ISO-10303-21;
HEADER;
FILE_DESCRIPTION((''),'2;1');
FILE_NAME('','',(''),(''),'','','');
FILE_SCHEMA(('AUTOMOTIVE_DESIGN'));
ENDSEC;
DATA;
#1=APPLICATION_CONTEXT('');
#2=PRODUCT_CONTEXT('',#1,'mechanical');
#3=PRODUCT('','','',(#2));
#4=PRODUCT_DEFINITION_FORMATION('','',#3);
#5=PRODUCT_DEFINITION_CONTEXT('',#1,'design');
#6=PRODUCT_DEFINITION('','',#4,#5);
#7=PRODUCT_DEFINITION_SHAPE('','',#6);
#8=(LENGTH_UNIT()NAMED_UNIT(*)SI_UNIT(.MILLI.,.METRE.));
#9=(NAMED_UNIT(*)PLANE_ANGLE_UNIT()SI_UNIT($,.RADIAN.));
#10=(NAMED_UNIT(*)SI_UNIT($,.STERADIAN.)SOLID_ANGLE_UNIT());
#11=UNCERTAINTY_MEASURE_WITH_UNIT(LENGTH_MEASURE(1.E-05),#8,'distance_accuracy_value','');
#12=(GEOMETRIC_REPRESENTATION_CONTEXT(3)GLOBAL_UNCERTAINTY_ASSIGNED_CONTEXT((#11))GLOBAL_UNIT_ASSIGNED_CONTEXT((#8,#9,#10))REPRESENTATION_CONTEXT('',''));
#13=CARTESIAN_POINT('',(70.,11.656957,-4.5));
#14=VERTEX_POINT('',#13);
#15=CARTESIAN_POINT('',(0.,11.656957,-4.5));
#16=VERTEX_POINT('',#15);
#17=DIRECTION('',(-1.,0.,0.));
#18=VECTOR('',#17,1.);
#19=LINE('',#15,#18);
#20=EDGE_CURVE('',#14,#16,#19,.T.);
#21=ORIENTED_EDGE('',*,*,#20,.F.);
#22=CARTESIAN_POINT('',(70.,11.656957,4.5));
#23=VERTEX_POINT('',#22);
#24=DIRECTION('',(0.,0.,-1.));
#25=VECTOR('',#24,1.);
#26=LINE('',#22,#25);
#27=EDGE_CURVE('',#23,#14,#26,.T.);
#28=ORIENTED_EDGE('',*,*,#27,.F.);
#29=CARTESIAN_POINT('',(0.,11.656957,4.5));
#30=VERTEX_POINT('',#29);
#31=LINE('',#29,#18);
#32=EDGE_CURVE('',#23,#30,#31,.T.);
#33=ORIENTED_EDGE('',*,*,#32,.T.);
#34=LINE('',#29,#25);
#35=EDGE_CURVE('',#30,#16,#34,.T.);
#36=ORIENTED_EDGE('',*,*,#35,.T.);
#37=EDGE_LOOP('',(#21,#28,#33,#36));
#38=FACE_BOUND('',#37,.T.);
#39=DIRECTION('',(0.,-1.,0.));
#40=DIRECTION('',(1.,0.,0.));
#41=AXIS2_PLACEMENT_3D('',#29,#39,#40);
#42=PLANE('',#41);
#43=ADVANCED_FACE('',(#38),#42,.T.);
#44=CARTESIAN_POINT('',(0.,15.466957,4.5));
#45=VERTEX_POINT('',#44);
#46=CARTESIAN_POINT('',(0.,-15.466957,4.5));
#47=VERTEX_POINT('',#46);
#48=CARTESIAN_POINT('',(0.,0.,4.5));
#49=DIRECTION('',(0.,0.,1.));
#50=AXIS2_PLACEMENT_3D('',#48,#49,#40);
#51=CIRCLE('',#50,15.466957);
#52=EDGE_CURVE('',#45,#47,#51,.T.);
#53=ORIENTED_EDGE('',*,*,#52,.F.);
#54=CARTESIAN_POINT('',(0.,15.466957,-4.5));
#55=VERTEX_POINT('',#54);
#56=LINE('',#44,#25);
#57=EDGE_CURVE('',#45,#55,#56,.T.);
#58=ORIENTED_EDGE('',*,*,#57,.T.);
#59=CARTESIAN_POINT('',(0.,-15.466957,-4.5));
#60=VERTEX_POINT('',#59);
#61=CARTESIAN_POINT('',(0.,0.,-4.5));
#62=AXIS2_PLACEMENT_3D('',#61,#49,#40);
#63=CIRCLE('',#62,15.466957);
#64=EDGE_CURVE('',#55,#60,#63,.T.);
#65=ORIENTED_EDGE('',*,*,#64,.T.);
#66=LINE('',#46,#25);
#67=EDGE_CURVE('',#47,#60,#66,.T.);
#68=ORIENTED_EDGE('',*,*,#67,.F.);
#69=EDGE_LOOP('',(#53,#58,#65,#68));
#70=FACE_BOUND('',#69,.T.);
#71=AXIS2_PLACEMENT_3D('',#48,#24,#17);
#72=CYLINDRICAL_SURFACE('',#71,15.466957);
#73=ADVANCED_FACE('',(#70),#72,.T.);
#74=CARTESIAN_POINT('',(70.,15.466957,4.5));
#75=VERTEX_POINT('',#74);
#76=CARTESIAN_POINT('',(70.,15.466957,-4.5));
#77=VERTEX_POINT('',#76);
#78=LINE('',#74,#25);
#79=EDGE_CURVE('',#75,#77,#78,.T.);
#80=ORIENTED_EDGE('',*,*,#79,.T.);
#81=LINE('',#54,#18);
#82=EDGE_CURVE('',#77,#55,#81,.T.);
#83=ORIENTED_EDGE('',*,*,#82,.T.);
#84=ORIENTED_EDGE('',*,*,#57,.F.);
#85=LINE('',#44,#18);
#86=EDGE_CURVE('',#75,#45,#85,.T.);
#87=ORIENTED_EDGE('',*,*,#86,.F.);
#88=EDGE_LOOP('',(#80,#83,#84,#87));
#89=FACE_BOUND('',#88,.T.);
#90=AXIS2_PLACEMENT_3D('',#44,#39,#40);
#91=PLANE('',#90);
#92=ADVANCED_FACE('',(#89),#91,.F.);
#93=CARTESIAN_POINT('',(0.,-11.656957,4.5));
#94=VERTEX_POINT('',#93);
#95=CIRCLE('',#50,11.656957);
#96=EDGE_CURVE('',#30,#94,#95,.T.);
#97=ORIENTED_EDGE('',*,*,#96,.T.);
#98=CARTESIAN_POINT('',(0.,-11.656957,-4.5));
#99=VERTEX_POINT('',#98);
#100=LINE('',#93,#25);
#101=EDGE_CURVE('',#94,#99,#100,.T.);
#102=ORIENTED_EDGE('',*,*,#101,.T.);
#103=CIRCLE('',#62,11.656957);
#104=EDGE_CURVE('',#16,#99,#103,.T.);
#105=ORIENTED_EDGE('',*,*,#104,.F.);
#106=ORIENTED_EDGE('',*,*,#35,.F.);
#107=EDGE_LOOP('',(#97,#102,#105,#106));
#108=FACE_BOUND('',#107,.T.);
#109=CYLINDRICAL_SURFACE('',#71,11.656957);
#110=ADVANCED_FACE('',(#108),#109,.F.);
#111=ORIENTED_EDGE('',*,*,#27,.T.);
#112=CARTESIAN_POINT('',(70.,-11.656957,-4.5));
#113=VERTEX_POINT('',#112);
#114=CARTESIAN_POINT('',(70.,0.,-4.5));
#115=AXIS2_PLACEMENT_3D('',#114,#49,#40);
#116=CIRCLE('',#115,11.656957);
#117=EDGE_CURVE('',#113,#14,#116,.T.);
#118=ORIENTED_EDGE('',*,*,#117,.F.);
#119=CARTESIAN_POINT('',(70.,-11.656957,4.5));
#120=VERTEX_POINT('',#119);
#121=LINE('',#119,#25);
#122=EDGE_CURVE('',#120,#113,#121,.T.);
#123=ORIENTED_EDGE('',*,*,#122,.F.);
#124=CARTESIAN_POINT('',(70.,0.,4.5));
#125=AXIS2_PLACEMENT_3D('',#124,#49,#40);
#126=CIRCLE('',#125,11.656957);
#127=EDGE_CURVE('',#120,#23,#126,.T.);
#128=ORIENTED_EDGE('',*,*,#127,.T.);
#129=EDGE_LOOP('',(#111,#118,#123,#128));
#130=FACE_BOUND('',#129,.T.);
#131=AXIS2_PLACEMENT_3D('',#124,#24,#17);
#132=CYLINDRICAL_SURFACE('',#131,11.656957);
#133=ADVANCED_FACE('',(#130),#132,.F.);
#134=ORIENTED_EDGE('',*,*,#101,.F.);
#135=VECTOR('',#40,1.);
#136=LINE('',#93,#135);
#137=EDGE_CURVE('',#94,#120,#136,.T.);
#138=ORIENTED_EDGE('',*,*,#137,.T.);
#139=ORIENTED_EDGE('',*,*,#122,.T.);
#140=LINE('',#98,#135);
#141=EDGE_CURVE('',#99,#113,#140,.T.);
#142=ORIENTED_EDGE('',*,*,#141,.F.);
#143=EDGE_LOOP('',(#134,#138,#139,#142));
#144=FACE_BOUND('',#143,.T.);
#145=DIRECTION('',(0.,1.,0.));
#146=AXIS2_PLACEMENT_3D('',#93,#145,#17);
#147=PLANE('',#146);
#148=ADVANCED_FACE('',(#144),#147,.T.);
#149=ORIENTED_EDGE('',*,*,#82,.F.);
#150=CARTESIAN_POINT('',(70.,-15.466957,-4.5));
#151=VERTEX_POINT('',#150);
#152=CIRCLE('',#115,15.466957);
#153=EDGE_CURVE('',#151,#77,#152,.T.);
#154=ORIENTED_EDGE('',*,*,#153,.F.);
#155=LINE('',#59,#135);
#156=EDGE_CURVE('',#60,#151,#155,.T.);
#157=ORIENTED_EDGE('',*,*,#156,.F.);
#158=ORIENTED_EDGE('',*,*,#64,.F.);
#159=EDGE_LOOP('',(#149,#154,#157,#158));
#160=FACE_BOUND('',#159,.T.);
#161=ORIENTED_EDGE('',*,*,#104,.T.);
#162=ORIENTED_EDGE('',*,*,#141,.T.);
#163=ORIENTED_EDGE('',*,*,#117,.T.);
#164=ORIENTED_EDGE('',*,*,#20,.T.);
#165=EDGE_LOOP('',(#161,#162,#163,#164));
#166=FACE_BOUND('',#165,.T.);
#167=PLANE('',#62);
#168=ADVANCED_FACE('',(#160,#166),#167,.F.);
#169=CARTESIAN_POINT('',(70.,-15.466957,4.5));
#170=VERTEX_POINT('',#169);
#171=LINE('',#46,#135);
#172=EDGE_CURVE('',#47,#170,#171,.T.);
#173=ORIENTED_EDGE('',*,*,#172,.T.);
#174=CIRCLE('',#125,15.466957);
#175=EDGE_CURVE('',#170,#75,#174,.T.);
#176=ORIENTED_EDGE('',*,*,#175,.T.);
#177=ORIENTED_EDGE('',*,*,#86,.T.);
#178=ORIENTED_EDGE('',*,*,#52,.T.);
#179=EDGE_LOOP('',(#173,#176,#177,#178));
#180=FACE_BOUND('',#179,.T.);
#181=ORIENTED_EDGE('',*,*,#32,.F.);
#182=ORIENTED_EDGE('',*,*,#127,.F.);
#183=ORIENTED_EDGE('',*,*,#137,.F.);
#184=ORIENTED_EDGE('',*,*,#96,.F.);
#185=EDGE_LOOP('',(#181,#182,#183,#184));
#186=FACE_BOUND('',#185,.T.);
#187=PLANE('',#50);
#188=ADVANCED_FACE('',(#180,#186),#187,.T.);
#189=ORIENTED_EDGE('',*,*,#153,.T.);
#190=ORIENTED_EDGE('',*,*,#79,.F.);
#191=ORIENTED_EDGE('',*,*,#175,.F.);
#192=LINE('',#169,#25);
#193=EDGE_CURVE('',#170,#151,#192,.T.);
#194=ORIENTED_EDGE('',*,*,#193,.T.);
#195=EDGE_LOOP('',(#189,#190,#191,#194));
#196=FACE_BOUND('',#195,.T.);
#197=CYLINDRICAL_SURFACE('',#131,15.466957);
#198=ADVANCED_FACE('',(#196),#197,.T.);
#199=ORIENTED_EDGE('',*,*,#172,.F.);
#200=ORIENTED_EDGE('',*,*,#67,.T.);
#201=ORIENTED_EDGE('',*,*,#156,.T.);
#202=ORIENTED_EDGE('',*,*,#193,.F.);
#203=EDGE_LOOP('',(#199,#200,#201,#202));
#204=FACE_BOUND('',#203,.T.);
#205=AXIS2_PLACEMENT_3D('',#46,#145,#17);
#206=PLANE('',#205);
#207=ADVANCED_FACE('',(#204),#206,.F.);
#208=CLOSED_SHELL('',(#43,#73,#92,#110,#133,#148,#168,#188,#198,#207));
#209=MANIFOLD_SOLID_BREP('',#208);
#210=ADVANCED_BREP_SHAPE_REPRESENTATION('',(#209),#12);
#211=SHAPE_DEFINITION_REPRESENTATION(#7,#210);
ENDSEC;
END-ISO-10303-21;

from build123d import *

# Parameters (mm, degrees)
EXTRUDE_THIN1_DEPTH = 4.5


with BuildPart() as part:
    # Sketch1 → Extrude-Thin1 (new body, symmetric)
    with BuildSketch(Plane.XY):
        with BuildLine():
            Line((69.999999954, -15.466956708), (0, -15.466956708))
            ThreePointArc((0, -15.466956708), (-15.466956708, 0), (0, 15.466956708))
            Line((0, 15.466956708), (69.999999954, 15.466956708))
            ThreePointArc((69.999999954, 15.466956708), (85.466956662, 0), (69.999999954, -15.466956708))
        make_face()
        with BuildLine():
            Line((69.999999954, -11.656956708), (0, -11.656956708))
            ThreePointArc((0, -11.656956708), (-11.656956708, 0), (0, 11.656956708))
            Line((0, 11.656956708), (69.999999954, 11.656956708))
            ThreePointArc((69.999999954, 11.656956708), (81.656956662, 0), (69.999999954, -11.656956708))
        make_face(mode=Mode.SUBTRACT)
    extrude(amount=EXTRUDE_THIN1_DEPTH, both=True)


solid = part.part
